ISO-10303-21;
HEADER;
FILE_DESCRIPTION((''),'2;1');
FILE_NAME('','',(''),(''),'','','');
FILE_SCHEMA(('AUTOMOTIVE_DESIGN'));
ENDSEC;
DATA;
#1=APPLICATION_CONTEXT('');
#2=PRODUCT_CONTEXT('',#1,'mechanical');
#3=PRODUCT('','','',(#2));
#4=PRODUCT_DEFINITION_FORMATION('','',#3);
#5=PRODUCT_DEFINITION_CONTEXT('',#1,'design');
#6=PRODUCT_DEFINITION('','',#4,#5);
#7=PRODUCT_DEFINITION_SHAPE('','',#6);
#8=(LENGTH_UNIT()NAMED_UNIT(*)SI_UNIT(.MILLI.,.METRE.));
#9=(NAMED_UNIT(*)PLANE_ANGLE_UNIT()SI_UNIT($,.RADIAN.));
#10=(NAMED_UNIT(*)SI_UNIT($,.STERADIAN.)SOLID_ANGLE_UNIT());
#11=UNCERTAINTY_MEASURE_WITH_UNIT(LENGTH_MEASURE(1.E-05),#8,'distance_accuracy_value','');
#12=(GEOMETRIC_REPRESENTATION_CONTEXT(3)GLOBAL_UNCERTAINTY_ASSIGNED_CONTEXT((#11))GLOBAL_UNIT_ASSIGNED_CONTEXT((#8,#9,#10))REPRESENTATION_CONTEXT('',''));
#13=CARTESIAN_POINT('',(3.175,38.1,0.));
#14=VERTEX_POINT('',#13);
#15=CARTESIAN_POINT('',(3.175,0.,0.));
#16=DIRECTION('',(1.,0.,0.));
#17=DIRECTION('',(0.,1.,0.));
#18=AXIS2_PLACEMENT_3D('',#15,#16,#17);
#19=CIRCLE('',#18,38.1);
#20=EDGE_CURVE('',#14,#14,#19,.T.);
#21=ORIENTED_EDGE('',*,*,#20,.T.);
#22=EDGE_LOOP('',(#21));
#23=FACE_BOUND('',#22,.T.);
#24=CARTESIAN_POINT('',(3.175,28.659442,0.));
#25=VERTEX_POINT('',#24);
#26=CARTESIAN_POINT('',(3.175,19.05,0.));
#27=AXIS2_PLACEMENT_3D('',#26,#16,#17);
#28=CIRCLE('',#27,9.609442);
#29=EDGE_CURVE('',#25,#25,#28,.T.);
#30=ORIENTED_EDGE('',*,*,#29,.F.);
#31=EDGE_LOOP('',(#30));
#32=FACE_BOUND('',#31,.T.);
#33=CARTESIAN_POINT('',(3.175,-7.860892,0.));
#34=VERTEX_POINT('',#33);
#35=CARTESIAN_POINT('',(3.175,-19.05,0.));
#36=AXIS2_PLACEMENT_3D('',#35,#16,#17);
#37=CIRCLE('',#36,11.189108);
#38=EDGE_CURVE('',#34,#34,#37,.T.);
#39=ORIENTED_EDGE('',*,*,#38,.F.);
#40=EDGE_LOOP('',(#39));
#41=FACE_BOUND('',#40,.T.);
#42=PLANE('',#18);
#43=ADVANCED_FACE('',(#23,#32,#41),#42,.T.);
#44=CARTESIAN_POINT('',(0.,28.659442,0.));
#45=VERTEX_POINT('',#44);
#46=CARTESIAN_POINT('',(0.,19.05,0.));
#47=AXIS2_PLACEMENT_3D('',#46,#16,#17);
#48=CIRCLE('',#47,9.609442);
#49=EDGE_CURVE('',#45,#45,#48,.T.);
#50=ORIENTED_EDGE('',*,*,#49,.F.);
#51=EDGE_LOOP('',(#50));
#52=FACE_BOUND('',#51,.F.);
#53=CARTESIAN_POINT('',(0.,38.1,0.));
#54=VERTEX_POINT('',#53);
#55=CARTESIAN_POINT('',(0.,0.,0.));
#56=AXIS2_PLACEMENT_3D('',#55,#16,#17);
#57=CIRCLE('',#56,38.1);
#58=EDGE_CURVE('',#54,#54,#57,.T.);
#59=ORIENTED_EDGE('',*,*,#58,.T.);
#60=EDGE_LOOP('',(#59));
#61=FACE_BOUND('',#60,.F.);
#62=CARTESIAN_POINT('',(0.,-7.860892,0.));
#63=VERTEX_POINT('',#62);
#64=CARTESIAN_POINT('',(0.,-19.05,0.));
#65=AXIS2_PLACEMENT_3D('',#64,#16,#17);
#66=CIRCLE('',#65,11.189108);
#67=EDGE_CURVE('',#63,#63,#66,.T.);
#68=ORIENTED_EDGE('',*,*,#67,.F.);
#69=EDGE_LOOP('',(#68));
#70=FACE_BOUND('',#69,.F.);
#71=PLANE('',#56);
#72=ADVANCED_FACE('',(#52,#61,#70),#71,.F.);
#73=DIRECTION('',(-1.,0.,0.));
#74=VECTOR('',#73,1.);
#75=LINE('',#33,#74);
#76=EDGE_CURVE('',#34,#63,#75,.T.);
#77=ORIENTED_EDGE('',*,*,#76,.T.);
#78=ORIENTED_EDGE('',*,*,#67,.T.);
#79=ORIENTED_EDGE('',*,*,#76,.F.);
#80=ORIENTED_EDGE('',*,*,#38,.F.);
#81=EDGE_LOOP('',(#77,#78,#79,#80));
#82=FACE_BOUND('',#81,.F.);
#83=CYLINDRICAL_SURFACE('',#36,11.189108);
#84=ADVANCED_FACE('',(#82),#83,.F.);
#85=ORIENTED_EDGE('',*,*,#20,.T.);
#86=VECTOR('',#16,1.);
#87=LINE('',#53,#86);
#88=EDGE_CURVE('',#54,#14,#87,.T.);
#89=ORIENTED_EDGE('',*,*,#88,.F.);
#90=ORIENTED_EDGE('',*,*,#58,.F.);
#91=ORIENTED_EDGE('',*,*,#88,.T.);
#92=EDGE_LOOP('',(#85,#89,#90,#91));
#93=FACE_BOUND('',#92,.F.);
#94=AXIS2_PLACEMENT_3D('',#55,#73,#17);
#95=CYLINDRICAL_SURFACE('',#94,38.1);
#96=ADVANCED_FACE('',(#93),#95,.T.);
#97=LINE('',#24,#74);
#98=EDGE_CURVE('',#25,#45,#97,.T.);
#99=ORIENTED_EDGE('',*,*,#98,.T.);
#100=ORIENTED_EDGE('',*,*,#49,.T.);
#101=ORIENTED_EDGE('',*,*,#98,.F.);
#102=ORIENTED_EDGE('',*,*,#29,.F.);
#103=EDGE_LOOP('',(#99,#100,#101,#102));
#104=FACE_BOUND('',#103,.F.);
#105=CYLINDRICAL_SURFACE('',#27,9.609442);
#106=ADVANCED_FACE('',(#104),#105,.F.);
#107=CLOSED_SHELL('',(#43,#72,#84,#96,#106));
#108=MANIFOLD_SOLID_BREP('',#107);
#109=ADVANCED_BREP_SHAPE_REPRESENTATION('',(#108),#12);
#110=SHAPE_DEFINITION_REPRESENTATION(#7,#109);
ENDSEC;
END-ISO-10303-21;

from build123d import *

# Parameters (mm, degrees)
F0_R     = 38.1
F1_DEPTH = 3.175
F2_R     = 11.189108
F2_R_2   = 9.609442
F3_DEPTH = 25.4


with BuildPart() as f1:
    # F0 (on Right) → F1 (new body)
    with BuildSketch(Plane.YZ):
        Circle(F0_R)
    extrude(amount=F1_DEPTH)

    # F2 (on face) → F3 (cut)
    with BuildSketch(Plane.YZ.offset(3.175)):
        with Locations((-19.05, 0)):
            Circle(F2_R)
        with Locations((19.05, 0)):
            Circle(F2_R_2)
    extrude(amount=-F3_DEPTH, mode=Mode.SUBTRACT)


solid = f1.part
